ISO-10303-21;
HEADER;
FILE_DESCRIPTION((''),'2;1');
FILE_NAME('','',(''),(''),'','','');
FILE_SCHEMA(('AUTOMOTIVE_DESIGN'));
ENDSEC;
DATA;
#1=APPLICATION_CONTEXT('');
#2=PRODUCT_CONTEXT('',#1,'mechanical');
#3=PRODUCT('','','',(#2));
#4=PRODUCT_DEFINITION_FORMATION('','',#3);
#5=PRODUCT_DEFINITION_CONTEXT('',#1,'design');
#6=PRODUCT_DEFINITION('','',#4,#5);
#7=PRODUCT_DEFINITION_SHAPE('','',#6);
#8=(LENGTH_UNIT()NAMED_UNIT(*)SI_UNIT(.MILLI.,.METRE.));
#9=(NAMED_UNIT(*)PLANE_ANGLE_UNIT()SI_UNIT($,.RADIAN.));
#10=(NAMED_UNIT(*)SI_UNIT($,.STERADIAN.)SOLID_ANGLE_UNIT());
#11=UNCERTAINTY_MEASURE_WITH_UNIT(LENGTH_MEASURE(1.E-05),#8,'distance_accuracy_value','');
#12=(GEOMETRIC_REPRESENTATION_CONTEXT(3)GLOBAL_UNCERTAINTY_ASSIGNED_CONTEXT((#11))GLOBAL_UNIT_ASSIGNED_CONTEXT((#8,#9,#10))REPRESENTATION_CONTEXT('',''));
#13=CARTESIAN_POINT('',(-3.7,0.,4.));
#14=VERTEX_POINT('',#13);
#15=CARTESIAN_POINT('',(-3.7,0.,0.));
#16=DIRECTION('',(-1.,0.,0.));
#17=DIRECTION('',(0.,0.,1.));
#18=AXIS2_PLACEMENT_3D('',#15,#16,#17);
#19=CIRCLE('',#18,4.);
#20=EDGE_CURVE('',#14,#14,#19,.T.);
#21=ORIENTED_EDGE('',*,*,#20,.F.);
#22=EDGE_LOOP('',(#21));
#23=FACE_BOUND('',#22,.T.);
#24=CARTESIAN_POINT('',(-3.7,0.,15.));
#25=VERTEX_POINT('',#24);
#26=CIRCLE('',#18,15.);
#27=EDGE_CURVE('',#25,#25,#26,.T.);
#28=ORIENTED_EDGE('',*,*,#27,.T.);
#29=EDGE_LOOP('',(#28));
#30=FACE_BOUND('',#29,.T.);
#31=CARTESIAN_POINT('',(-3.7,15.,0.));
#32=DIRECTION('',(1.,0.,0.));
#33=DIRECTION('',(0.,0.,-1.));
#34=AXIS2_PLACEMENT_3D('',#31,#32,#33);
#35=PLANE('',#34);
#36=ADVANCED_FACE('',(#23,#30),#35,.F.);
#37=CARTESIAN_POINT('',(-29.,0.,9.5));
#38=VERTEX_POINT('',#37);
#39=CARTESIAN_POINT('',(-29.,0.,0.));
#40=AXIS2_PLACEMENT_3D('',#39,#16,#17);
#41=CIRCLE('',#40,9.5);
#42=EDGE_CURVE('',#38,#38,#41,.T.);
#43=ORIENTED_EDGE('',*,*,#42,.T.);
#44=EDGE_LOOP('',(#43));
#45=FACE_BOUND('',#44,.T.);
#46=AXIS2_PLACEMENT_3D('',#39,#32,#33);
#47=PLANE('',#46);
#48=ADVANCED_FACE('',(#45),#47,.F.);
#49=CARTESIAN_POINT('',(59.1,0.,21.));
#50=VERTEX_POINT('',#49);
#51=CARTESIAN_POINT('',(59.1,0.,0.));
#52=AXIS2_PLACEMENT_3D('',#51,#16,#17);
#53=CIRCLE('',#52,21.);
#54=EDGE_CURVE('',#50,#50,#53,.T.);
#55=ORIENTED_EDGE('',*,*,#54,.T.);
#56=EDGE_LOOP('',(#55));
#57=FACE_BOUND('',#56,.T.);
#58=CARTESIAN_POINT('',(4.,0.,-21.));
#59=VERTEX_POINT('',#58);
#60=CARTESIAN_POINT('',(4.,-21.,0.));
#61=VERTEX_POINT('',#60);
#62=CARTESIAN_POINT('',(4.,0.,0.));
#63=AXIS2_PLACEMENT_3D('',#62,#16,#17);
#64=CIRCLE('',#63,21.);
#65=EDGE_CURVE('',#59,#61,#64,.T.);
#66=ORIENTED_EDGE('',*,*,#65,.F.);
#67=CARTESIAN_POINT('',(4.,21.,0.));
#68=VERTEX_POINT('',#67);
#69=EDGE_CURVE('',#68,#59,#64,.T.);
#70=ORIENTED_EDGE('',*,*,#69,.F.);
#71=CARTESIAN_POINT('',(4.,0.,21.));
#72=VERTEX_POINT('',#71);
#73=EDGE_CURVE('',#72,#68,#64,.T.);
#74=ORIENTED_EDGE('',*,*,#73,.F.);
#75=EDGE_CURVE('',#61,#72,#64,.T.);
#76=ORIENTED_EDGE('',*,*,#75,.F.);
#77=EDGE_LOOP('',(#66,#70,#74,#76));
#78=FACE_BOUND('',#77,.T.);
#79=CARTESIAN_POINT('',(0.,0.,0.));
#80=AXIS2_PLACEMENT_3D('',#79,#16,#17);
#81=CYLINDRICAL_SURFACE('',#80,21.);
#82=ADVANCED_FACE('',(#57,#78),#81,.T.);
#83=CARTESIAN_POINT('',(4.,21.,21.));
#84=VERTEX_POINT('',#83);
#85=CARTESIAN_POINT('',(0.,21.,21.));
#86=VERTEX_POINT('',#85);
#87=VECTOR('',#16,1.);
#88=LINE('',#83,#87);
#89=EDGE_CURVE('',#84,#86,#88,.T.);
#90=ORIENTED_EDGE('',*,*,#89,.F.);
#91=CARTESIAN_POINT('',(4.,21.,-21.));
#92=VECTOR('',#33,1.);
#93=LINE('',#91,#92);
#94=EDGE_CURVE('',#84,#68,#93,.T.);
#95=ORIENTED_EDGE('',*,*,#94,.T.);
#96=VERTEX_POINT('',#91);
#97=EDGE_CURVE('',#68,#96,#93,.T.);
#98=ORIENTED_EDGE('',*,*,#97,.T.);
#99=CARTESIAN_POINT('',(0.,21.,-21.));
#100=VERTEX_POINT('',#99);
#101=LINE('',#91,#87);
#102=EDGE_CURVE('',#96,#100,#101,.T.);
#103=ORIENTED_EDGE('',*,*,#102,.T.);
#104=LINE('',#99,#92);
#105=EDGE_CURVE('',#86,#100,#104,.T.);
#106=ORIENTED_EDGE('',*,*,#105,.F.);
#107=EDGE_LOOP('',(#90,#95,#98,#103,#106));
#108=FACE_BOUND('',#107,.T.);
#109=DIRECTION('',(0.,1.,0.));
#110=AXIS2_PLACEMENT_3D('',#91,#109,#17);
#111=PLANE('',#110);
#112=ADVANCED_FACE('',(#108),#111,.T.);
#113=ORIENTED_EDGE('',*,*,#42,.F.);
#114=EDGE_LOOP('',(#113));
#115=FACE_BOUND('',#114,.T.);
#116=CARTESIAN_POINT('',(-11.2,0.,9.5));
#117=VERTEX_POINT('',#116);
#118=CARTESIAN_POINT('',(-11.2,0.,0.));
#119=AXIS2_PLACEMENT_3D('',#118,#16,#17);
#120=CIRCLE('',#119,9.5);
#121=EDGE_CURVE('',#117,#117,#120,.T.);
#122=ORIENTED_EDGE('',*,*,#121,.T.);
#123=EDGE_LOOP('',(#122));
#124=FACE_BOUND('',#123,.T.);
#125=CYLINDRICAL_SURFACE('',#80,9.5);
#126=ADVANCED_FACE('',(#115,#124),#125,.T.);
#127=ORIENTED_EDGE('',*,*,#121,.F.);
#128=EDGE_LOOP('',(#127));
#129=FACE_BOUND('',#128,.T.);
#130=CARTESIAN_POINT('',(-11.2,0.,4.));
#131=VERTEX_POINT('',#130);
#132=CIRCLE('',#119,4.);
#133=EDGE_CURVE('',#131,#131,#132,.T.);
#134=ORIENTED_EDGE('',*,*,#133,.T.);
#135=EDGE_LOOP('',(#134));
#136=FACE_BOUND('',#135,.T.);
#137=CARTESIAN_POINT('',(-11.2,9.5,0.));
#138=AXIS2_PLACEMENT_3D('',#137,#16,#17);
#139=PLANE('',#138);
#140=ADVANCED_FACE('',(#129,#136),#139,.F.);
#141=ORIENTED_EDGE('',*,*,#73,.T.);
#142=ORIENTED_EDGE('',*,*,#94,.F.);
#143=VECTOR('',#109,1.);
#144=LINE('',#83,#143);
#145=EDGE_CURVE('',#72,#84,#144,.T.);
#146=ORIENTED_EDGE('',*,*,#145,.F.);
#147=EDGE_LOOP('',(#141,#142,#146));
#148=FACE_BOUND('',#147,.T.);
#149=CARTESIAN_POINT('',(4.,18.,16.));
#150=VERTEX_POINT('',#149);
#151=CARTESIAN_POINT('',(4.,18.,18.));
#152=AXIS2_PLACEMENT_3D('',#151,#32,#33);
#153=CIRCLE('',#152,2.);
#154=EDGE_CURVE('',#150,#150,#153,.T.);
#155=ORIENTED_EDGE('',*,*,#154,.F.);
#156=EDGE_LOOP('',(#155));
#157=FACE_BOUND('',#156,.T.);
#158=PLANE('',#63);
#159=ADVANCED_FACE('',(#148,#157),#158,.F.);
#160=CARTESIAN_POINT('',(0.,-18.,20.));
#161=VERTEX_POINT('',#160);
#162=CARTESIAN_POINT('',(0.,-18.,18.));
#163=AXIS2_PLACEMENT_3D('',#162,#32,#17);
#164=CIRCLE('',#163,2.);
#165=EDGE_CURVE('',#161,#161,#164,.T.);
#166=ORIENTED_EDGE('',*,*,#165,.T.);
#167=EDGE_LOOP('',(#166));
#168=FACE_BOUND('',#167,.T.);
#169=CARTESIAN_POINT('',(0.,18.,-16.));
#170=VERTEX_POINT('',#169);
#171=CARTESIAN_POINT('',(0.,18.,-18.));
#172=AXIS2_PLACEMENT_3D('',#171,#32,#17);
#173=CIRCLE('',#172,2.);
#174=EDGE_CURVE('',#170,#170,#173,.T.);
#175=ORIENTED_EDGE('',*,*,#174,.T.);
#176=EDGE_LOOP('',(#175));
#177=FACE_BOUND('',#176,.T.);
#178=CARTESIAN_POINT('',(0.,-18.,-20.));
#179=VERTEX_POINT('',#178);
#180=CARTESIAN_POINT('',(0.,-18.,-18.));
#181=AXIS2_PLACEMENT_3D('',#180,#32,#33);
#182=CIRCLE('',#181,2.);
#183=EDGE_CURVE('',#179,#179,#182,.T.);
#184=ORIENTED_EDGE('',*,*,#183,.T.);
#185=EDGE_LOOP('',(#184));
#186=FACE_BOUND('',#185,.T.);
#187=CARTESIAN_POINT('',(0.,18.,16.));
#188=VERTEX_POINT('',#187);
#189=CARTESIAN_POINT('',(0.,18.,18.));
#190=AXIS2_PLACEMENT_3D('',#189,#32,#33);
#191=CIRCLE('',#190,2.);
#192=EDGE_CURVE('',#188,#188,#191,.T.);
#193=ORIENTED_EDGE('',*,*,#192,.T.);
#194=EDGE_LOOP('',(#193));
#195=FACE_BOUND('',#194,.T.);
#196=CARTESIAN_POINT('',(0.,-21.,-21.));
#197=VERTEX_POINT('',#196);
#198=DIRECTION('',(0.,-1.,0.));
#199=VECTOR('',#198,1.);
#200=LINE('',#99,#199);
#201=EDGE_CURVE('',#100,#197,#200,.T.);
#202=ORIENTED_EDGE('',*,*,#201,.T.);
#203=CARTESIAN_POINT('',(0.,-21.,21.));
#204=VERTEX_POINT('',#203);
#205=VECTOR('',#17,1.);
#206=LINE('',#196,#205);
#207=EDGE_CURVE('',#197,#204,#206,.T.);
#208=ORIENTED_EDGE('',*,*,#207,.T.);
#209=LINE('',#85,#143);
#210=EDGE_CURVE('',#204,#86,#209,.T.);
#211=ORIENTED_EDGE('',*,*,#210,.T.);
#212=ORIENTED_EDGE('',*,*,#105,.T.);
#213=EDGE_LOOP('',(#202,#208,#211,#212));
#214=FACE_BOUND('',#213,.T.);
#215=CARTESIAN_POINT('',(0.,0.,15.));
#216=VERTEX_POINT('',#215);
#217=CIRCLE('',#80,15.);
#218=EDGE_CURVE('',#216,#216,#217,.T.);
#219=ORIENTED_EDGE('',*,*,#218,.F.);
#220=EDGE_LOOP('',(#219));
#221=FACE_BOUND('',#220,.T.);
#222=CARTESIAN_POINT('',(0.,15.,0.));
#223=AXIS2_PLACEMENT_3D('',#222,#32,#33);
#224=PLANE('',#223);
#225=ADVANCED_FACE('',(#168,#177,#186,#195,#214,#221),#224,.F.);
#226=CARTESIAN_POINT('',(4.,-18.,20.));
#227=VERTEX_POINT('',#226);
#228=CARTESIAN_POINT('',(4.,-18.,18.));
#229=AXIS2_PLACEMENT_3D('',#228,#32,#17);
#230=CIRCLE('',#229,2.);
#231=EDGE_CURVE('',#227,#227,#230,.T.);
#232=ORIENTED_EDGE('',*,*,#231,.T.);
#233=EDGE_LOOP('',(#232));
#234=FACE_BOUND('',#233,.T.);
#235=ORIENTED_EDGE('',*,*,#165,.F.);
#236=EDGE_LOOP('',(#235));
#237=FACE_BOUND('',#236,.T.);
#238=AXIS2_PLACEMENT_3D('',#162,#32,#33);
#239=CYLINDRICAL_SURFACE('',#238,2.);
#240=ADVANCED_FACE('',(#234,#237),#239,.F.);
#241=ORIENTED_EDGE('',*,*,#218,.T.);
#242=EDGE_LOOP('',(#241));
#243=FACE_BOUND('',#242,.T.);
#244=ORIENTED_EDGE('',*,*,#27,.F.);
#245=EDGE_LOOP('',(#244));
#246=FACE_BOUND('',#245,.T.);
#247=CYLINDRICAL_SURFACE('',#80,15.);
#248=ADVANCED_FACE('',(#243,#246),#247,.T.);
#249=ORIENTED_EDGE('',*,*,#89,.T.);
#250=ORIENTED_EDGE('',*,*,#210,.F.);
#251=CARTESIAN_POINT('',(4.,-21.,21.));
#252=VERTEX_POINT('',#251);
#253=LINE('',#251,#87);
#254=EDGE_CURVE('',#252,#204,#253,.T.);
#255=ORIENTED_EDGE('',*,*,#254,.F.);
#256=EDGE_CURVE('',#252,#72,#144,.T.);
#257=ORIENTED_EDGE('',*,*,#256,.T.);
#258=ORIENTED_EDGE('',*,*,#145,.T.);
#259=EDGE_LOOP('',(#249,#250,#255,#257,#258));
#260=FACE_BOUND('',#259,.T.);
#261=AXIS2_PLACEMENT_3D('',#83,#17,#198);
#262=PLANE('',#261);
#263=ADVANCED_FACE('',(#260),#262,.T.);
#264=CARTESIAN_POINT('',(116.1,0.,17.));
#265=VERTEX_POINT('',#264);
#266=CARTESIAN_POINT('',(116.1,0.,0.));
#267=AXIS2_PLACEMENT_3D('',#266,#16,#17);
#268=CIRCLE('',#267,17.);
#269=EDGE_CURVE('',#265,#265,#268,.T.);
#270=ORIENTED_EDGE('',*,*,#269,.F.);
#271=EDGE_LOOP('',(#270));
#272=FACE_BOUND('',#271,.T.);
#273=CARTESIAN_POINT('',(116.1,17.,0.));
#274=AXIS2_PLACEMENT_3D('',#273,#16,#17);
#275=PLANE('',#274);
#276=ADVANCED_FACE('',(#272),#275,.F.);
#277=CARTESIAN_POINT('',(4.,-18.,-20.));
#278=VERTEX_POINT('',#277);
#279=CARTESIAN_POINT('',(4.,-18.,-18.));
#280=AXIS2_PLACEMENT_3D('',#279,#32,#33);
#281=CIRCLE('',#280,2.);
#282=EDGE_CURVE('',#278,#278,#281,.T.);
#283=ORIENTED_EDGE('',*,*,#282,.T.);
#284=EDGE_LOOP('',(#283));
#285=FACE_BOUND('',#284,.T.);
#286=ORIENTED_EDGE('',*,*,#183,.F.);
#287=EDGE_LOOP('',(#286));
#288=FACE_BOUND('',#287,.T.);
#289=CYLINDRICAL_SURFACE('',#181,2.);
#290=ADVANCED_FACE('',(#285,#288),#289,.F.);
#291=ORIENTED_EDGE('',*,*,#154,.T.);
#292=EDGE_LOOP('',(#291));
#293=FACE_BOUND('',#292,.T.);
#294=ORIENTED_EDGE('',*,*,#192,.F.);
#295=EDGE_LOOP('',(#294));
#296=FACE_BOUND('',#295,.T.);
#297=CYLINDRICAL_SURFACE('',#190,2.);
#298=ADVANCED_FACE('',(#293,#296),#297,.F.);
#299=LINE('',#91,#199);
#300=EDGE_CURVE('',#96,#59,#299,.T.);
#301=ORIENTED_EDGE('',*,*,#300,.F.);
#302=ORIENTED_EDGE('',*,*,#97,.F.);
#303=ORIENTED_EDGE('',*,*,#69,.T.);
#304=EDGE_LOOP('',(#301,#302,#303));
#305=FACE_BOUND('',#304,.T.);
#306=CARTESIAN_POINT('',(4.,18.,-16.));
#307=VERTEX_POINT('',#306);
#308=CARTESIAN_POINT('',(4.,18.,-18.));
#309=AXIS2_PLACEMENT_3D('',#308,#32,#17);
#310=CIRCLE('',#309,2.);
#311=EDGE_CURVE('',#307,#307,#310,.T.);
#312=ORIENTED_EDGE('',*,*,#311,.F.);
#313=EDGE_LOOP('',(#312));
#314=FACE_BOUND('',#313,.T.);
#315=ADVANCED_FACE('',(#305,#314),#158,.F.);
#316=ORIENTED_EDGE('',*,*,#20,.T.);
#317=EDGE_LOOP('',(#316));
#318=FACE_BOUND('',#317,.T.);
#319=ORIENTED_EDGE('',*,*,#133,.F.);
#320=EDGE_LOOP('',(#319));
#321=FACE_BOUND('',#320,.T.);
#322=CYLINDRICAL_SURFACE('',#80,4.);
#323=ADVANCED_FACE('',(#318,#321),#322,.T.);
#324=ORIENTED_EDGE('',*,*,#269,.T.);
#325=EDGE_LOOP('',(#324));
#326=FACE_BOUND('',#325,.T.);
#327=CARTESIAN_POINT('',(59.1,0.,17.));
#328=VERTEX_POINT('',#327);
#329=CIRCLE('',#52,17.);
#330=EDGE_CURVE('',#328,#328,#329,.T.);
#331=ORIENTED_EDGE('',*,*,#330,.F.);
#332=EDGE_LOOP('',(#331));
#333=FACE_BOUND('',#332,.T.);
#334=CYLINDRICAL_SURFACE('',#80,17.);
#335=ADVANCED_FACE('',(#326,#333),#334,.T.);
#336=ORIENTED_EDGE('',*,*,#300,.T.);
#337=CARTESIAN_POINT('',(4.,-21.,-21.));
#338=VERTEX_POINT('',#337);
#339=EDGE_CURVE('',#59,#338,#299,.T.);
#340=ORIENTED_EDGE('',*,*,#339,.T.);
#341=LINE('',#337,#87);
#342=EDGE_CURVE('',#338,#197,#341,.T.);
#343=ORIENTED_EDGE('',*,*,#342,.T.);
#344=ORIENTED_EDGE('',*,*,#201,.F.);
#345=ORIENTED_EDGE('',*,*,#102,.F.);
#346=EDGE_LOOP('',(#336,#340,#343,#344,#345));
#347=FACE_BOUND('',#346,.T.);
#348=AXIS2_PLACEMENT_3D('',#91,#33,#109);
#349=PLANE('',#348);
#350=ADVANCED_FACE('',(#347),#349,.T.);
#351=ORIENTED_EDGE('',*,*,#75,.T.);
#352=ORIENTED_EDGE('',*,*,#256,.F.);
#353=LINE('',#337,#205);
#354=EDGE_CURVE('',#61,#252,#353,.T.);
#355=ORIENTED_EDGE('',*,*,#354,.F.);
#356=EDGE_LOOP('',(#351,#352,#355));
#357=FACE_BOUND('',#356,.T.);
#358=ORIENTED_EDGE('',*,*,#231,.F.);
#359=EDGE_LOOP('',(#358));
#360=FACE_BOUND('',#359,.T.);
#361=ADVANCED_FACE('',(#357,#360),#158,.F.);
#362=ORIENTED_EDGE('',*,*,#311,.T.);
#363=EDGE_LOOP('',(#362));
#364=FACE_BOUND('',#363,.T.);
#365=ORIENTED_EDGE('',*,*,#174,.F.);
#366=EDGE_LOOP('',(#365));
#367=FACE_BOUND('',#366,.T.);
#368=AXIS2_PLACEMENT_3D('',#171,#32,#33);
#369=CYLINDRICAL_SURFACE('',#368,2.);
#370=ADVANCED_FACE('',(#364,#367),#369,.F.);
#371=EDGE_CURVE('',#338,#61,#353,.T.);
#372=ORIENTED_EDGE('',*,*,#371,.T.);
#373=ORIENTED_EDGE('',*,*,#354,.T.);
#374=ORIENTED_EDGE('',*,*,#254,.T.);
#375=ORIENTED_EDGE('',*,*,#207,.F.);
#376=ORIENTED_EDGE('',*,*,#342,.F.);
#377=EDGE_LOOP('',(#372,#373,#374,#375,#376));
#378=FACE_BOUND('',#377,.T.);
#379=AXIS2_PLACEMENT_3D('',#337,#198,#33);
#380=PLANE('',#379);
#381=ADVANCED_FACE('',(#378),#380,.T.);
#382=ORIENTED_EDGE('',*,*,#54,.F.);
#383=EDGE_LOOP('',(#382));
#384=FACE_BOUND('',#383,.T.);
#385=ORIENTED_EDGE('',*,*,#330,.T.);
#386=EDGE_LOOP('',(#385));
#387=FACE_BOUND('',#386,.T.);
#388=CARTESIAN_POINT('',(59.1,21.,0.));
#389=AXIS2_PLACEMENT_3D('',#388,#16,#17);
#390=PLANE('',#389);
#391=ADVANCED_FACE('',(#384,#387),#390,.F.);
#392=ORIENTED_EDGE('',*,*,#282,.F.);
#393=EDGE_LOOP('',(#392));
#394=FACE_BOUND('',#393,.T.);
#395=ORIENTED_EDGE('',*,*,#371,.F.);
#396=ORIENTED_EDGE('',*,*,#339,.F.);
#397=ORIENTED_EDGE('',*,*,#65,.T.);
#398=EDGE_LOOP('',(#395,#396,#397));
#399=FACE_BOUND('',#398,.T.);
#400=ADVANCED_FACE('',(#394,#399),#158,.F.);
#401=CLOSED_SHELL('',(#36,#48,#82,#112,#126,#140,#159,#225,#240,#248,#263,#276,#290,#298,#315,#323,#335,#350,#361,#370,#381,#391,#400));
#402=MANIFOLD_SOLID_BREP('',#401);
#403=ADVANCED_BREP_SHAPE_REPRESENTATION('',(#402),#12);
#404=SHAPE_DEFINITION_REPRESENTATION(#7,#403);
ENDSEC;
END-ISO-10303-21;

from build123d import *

# Parameters (mm, degrees)
ESBO_O2_W                = 42
ESBO_O2_H                = 42
RESSALTO_EXTRUS_O1_DEPTH = 4
ESBO_O3_R                = 2
CORTE_EXTRUS_O1_DEPTH    = 4


with BuildPart() as part:
    # Esboço1 → Revolução1 (revolve)
    with BuildSketch(Plane.XY):
        Polygon((-29, 0), (-29, 9.5), (-11.2, 9.5), (-11.2, 4), (-3.7, 4), (-3.7, 15), (0, 15), (0, 21), (59.1, 21), (59.1, 17), (116.1, 17), (116.1, 0), align=None)
    revolve(axis=Axis((0, 0, 0), (1, 0, 0)))

    # Esboço2 → Ressalto-extrusão1 (add)
    with BuildSketch(Plane.ZY):
        Rectangle(ESBO_O2_W, ESBO_O2_H)
    extrude(amount=-RESSALTO_EXTRUS_O1_DEPTH)

    # Esboço3 → Corte-extrusão1 (cut)
    with BuildSketch(Plane(origin=(4, 0, 0), x_dir=(0, 0, -1), z_dir=(1, 0, 0))):
        with Locations((-18, 18)):
            Circle(ESBO_O3_R)
        with Locations((-18, -18)):
            Circle(ESBO_O3_R)
        with Locations((18, -18)):
            Circle(ESBO_O3_R)
        with Locations((18, 18)):
            Circle(ESBO_O3_R)
    extrude(amount=-CORTE_EXTRUS_O1_DEPTH, mode=Mode.SUBTRACT)


solid = part.part
